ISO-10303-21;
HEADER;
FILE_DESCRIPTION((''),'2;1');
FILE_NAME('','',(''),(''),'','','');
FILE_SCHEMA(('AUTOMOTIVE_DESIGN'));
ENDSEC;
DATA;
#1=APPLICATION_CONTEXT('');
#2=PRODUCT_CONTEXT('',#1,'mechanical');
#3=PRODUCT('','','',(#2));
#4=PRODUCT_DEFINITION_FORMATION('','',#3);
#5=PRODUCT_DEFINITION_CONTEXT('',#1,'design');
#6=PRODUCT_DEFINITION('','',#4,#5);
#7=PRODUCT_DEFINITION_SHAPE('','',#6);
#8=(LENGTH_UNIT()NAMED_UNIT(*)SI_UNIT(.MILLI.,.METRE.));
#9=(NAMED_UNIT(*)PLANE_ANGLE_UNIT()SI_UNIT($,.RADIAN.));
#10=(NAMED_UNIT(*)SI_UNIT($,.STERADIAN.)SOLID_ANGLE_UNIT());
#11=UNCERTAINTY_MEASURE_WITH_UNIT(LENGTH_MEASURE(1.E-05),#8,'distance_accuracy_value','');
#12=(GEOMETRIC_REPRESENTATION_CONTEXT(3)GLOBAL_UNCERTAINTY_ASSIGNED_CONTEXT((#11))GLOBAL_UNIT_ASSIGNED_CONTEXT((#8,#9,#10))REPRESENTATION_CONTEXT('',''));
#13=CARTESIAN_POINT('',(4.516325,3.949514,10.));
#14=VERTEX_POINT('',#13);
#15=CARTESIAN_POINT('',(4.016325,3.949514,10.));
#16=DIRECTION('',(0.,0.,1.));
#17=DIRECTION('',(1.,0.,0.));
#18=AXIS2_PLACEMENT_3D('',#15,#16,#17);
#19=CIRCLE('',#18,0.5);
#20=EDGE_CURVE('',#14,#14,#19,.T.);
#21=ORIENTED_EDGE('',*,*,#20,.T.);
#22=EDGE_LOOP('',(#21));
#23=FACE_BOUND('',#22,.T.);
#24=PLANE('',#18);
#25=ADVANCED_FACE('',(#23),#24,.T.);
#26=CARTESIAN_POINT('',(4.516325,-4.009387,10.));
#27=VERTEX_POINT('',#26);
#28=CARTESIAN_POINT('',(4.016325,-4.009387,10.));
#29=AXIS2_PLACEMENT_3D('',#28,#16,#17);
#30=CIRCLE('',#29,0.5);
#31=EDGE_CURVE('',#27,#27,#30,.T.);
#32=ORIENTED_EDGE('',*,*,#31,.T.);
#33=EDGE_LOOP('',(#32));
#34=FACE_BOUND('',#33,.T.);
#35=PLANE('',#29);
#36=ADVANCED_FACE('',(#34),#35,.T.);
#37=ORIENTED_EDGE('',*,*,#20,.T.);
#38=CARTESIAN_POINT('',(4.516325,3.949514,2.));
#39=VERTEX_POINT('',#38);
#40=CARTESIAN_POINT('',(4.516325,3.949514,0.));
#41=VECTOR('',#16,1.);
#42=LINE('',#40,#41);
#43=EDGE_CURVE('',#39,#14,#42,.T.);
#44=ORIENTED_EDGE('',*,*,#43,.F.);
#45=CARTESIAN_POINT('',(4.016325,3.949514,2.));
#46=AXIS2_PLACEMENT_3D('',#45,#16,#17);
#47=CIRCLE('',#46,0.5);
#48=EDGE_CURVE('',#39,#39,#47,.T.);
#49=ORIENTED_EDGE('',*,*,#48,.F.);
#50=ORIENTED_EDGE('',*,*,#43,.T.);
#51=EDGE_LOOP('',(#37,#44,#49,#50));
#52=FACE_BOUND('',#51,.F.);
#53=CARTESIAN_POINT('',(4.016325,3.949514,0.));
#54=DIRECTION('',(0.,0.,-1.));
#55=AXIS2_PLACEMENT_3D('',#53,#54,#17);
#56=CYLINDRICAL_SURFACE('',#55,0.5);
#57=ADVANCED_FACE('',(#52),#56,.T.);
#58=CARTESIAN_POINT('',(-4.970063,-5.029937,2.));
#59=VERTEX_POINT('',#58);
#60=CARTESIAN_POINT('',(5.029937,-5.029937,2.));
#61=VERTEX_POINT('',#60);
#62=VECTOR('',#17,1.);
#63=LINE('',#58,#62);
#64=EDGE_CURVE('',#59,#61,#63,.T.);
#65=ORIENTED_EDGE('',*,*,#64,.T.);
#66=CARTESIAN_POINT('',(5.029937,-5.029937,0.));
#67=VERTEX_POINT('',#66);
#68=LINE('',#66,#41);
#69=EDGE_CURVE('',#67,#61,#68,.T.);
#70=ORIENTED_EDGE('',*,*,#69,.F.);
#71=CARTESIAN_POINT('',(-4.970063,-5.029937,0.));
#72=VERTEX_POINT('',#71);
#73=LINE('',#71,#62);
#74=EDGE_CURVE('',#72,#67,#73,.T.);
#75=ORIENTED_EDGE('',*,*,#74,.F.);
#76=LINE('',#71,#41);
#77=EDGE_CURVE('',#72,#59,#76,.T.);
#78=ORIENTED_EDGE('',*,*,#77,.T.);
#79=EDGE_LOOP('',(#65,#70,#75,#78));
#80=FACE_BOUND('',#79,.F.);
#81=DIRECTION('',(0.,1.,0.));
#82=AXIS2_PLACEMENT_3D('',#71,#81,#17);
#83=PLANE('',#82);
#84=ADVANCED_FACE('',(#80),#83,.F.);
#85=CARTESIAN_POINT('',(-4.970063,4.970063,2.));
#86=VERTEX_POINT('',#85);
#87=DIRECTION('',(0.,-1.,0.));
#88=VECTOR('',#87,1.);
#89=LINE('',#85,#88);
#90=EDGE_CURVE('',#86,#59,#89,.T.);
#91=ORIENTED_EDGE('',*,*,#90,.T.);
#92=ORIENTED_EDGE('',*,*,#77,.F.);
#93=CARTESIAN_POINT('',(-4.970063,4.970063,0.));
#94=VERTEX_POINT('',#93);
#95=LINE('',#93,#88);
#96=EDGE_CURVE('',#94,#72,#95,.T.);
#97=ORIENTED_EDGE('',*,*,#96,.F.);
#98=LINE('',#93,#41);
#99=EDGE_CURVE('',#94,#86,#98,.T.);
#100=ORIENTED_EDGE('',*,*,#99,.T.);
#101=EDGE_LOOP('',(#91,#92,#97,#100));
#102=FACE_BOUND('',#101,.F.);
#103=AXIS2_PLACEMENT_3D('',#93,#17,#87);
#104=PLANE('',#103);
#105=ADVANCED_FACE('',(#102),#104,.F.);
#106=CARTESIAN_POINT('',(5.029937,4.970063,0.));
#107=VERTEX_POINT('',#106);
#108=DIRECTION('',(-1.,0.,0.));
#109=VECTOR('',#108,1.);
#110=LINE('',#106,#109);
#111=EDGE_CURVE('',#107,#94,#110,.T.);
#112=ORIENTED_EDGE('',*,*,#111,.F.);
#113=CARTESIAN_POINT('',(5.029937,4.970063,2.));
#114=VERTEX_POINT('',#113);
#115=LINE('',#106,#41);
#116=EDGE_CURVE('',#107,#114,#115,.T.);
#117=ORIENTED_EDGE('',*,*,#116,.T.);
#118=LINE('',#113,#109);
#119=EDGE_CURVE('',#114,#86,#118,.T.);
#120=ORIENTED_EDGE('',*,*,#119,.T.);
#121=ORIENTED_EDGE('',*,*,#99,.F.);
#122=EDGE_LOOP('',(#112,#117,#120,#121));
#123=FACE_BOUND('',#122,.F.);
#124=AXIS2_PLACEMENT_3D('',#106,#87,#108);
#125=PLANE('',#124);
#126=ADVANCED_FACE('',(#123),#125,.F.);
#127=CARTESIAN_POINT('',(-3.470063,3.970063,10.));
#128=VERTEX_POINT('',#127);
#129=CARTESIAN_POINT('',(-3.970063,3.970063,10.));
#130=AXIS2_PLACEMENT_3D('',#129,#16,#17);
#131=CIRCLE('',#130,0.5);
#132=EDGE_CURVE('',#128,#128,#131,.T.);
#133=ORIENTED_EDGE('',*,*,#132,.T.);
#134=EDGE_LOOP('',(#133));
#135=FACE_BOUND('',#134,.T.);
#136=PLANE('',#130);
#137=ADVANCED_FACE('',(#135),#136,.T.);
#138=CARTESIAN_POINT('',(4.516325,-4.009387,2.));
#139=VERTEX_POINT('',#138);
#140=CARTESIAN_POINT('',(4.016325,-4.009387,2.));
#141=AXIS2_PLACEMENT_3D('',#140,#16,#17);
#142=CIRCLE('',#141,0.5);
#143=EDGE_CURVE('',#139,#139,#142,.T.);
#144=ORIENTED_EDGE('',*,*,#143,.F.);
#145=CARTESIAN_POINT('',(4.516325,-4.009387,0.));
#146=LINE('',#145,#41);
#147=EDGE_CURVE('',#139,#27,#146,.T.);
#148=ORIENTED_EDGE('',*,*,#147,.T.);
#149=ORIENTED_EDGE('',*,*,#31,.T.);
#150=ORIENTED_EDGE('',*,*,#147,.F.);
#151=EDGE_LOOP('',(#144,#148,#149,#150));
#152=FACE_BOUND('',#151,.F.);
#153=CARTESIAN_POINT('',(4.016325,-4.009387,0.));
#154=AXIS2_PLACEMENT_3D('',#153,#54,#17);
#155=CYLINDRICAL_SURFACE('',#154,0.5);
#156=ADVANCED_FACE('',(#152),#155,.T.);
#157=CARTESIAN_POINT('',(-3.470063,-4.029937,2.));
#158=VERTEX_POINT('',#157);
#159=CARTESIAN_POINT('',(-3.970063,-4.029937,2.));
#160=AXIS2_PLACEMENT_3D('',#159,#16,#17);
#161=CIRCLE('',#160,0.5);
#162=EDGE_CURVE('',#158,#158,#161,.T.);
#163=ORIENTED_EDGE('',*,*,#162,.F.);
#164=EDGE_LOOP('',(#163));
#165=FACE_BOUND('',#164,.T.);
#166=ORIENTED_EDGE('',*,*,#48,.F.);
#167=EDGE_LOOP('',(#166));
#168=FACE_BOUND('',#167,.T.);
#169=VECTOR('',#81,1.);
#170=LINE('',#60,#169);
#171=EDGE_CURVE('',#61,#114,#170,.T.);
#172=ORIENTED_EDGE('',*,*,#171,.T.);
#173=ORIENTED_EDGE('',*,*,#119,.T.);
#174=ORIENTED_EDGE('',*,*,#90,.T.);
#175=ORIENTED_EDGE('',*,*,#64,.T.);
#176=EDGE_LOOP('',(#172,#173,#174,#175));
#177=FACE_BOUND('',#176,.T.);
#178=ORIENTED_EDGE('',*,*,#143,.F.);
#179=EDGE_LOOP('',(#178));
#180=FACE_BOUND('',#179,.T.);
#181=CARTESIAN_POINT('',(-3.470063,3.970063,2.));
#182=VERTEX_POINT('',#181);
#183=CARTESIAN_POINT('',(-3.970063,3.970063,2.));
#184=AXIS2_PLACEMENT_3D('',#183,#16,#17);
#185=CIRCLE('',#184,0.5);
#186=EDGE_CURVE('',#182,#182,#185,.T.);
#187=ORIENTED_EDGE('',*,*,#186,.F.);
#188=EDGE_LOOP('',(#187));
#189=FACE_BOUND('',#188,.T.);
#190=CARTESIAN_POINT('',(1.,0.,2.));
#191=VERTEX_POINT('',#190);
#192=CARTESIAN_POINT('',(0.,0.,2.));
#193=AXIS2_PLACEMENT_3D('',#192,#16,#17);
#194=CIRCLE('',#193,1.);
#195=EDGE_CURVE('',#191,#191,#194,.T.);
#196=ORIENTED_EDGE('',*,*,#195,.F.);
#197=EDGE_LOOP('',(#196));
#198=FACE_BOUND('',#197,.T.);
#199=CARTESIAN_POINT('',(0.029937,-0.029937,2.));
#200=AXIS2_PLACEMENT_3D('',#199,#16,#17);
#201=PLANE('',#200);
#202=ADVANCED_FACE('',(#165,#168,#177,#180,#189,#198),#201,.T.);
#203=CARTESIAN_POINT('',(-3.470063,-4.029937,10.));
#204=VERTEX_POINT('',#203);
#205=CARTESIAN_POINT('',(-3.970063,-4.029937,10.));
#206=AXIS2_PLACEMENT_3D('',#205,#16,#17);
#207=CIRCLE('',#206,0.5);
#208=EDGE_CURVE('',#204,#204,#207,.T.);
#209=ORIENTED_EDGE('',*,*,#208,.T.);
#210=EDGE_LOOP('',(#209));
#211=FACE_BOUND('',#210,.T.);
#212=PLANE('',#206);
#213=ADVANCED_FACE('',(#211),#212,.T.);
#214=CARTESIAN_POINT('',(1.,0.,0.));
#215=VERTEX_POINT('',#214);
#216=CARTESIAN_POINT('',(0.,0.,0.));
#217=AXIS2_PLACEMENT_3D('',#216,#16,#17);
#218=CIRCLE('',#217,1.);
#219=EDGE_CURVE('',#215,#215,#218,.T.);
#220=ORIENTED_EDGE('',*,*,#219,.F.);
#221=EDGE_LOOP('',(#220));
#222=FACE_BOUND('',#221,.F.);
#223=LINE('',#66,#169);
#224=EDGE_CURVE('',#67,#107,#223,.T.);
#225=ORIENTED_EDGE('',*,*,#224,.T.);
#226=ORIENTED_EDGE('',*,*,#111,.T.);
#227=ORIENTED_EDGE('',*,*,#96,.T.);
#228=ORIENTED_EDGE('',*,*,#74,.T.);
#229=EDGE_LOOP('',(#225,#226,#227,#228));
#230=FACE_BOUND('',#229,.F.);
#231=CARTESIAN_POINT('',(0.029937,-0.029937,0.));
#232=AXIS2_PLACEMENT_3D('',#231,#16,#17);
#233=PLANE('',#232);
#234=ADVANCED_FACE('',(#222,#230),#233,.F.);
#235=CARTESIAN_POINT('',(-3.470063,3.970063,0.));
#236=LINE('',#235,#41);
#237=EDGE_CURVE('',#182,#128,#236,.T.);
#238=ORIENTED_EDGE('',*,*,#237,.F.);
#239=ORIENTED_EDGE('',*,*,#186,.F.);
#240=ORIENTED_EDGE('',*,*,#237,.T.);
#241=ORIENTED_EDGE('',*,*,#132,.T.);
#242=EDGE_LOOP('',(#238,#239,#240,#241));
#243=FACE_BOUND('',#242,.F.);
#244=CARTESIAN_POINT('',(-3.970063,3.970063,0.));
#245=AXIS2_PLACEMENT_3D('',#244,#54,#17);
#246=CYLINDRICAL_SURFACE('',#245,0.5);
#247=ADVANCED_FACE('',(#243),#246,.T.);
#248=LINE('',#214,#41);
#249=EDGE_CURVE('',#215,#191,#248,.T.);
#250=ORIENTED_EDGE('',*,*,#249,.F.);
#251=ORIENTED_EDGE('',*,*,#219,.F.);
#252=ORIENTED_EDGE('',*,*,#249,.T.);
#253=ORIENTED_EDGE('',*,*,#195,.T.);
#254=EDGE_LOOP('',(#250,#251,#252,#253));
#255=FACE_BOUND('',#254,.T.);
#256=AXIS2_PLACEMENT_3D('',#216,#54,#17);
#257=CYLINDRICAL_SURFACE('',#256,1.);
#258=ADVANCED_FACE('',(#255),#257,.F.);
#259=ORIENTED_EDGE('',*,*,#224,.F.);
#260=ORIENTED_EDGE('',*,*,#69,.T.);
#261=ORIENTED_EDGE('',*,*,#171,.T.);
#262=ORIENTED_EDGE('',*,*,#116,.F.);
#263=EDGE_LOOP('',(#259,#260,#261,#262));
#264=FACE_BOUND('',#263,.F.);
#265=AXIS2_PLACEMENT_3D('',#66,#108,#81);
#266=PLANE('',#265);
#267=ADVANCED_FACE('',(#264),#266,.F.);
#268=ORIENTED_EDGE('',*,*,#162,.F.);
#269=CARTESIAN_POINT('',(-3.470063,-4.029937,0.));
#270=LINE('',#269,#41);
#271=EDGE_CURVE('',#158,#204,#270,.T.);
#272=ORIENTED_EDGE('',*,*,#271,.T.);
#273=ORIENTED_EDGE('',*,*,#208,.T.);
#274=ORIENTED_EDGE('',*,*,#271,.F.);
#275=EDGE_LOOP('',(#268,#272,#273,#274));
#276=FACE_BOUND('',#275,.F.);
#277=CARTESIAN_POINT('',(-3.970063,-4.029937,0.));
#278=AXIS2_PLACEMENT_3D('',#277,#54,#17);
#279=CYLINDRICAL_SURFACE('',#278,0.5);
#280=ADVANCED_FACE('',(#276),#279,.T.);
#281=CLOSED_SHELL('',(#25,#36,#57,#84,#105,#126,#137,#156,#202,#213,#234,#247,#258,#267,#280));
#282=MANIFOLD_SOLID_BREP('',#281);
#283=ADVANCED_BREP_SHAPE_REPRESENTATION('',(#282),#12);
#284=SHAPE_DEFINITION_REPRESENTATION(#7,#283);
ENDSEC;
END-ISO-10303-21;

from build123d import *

# Parameters (mm, degrees)
F0_R     = 0.5
F0_R_2   = 1
F1_DEPTH = 2
F2_DEPTH = 10


with BuildPart() as f1:
    # F0 (on Top) → F1 (new body)
    with BuildSketch(Plane.XY):
        Polygon((5.029937, -5.029937), (5.029937, 4.970063), (-4.970063, 4.970063), (-4.970063, -0.907308), (-4.970063, -5.029937), align=None)
        with Locations((-3.970063, -4.029937)):
            Circle(F0_R, mode=Mode.SUBTRACT)
        with Locations((4.016325, -4.009387)):
            Circle(F0_R, mode=Mode.SUBTRACT)
        Circle(F0_R_2, mode=Mode.SUBTRACT)
        with Locations((-3.970063, 3.970063)):
            Circle(F0_R, mode=Mode.SUBTRACT)
        with Locations((4.016325, 3.949514)):
            Circle(F0_R, mode=Mode.SUBTRACT)
    extrude(amount=F1_DEPTH)

    # F0 (on Top) → F2 (join)
    with BuildSketch(Plane.XY):
        with Locations((-3.970063, 3.970063)):
            Circle(F0_R)
        with Locations((4.016325, 3.949514)):
            Circle(F0_R)
        with Locations((4.016325, -4.009387)):
            Circle(F0_R)
        with Locations((-3.970063, -4.029937)):
            Circle(F0_R)
    extrude(amount=F2_DEPTH)


solid = f1.part
